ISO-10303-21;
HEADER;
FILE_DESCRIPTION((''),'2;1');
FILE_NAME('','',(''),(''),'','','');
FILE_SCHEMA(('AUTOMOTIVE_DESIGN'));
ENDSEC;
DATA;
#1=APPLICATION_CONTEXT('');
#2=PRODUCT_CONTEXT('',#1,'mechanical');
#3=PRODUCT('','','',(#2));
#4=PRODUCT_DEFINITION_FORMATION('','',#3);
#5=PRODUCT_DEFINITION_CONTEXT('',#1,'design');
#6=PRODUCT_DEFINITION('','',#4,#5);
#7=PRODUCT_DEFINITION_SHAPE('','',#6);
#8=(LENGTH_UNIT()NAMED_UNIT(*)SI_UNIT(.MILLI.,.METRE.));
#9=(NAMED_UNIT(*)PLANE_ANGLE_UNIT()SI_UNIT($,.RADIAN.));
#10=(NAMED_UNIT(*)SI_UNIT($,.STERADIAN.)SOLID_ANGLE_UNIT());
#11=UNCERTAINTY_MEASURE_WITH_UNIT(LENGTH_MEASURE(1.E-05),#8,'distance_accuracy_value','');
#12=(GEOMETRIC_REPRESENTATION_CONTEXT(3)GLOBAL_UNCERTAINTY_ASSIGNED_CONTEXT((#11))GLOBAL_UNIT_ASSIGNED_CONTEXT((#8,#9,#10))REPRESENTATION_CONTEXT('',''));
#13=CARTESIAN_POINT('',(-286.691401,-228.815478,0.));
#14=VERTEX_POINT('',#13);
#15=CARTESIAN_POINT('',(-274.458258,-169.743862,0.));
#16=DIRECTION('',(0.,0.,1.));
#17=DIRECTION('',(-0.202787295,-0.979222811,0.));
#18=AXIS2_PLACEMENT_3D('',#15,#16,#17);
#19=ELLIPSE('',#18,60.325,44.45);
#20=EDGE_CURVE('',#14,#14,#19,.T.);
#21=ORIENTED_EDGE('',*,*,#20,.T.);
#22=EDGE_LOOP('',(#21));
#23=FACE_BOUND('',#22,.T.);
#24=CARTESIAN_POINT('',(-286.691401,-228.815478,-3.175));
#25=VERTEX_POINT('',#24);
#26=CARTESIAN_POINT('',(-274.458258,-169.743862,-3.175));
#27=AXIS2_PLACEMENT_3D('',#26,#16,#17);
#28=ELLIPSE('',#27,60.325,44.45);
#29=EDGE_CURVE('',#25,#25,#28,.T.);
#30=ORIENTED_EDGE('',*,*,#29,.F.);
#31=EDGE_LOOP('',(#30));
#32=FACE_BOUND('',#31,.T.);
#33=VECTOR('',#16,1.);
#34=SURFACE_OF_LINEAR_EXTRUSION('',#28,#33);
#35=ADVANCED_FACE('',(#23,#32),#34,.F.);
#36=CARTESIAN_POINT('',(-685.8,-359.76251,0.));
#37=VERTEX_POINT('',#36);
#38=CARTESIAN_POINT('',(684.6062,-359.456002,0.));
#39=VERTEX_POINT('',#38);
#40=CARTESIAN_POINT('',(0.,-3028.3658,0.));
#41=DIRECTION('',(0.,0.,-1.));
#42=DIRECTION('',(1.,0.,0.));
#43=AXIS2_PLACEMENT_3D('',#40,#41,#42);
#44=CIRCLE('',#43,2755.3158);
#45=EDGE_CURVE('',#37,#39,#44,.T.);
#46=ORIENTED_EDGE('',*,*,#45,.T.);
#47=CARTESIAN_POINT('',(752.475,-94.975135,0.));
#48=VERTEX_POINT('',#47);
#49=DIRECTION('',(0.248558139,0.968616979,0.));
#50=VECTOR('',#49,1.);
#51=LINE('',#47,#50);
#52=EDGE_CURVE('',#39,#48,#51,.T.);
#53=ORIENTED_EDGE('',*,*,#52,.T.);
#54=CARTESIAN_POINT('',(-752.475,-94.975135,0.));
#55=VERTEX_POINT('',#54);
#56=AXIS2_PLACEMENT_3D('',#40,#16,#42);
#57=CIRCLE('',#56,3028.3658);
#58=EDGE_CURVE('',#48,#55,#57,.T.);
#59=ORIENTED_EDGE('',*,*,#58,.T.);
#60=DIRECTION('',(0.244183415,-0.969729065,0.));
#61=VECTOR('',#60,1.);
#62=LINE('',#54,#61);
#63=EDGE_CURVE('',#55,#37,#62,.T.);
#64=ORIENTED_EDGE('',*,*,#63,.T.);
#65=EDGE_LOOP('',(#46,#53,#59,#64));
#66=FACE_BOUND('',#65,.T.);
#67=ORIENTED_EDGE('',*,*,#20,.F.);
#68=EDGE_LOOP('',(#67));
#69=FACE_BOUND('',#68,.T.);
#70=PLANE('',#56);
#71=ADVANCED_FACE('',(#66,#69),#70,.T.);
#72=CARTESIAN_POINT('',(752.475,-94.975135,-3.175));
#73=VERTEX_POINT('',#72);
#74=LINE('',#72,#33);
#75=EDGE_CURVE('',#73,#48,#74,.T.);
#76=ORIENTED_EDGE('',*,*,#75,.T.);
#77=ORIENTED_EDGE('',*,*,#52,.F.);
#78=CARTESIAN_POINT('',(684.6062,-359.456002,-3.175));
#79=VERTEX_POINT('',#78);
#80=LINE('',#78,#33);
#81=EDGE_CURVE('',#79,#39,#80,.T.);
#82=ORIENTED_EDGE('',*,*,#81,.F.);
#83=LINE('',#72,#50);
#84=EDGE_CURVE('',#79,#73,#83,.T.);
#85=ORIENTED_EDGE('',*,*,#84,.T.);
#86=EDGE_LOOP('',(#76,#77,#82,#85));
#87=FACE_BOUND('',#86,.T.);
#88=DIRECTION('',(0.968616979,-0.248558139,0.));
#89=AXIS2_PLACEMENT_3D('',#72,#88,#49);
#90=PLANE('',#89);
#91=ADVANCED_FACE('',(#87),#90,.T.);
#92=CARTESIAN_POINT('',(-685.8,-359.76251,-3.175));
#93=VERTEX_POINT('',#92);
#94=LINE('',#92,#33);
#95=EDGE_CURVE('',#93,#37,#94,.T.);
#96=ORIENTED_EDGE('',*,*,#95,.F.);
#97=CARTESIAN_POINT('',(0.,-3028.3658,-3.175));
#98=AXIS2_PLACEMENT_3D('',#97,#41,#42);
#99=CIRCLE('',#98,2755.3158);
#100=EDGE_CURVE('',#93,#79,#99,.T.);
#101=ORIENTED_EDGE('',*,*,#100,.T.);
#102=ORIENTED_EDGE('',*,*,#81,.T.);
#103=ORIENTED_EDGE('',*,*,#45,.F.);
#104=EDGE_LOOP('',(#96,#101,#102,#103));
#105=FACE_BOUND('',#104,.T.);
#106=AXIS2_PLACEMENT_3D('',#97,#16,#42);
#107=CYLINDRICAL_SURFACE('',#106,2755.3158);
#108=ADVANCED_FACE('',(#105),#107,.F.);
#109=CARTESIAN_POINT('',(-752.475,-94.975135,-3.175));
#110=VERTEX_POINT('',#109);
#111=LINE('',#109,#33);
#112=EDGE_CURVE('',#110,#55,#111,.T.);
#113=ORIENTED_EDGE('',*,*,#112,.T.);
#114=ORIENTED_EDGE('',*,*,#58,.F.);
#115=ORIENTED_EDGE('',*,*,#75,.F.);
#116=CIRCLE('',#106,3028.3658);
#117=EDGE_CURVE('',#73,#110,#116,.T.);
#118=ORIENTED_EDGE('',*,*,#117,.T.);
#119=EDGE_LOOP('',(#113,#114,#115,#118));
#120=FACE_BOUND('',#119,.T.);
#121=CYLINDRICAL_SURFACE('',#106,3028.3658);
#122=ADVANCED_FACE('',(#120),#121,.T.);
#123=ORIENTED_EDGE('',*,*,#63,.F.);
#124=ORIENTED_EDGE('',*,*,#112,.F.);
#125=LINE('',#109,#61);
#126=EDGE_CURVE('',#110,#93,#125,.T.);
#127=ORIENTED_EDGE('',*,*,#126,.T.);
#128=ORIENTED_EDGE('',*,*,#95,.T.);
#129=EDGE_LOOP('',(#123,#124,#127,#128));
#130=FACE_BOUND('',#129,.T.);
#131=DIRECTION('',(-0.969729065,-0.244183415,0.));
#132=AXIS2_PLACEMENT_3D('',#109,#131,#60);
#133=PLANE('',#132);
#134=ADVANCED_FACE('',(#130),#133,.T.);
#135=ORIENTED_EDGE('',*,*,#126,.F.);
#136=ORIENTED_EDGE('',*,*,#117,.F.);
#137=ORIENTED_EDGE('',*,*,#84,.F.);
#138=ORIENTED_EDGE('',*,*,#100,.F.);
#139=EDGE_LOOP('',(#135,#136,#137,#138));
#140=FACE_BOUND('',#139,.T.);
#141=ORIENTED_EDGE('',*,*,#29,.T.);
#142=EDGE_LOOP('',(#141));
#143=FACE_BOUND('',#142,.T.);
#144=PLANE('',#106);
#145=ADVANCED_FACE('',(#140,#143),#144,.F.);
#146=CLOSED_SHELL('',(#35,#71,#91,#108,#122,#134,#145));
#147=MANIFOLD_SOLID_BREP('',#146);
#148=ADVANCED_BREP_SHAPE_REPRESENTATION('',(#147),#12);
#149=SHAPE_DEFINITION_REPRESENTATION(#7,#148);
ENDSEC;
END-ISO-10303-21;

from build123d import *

# Parameters (mm, degrees)
SKETCH1_RX         = 60.325
SKETCH1_RY         = 44.45
BASE_EXTRUDE_DEPTH = 3.175


with BuildPart() as part:
    # Sketch1 → Base-Extrude (new body)
    with BuildSketch(Plane.XY):
        with BuildLine():
            Line((-752.475, -94.975135089), (-685.8, -359.762510313))
            ThreePointArc((-685.8, -359.762510313), (-0.61626002, -273.050068917), (684.6062, -359.456002227))
            Line((684.6062, -359.456002227), (752.475, -94.975135089))
            ThreePointArc((752.475, -94.975135089), (0, 0), (-752.475, -94.975135089))
        make_face()
        with Locations(Location((-274.458257632, -169.743861591), (0, 0, -101.7))):
            Ellipse(SKETCH1_RX, SKETCH1_RY, mode=Mode.SUBTRACT)
    extrude(amount=-BASE_EXTRUDE_DEPTH)


solid = part.part
